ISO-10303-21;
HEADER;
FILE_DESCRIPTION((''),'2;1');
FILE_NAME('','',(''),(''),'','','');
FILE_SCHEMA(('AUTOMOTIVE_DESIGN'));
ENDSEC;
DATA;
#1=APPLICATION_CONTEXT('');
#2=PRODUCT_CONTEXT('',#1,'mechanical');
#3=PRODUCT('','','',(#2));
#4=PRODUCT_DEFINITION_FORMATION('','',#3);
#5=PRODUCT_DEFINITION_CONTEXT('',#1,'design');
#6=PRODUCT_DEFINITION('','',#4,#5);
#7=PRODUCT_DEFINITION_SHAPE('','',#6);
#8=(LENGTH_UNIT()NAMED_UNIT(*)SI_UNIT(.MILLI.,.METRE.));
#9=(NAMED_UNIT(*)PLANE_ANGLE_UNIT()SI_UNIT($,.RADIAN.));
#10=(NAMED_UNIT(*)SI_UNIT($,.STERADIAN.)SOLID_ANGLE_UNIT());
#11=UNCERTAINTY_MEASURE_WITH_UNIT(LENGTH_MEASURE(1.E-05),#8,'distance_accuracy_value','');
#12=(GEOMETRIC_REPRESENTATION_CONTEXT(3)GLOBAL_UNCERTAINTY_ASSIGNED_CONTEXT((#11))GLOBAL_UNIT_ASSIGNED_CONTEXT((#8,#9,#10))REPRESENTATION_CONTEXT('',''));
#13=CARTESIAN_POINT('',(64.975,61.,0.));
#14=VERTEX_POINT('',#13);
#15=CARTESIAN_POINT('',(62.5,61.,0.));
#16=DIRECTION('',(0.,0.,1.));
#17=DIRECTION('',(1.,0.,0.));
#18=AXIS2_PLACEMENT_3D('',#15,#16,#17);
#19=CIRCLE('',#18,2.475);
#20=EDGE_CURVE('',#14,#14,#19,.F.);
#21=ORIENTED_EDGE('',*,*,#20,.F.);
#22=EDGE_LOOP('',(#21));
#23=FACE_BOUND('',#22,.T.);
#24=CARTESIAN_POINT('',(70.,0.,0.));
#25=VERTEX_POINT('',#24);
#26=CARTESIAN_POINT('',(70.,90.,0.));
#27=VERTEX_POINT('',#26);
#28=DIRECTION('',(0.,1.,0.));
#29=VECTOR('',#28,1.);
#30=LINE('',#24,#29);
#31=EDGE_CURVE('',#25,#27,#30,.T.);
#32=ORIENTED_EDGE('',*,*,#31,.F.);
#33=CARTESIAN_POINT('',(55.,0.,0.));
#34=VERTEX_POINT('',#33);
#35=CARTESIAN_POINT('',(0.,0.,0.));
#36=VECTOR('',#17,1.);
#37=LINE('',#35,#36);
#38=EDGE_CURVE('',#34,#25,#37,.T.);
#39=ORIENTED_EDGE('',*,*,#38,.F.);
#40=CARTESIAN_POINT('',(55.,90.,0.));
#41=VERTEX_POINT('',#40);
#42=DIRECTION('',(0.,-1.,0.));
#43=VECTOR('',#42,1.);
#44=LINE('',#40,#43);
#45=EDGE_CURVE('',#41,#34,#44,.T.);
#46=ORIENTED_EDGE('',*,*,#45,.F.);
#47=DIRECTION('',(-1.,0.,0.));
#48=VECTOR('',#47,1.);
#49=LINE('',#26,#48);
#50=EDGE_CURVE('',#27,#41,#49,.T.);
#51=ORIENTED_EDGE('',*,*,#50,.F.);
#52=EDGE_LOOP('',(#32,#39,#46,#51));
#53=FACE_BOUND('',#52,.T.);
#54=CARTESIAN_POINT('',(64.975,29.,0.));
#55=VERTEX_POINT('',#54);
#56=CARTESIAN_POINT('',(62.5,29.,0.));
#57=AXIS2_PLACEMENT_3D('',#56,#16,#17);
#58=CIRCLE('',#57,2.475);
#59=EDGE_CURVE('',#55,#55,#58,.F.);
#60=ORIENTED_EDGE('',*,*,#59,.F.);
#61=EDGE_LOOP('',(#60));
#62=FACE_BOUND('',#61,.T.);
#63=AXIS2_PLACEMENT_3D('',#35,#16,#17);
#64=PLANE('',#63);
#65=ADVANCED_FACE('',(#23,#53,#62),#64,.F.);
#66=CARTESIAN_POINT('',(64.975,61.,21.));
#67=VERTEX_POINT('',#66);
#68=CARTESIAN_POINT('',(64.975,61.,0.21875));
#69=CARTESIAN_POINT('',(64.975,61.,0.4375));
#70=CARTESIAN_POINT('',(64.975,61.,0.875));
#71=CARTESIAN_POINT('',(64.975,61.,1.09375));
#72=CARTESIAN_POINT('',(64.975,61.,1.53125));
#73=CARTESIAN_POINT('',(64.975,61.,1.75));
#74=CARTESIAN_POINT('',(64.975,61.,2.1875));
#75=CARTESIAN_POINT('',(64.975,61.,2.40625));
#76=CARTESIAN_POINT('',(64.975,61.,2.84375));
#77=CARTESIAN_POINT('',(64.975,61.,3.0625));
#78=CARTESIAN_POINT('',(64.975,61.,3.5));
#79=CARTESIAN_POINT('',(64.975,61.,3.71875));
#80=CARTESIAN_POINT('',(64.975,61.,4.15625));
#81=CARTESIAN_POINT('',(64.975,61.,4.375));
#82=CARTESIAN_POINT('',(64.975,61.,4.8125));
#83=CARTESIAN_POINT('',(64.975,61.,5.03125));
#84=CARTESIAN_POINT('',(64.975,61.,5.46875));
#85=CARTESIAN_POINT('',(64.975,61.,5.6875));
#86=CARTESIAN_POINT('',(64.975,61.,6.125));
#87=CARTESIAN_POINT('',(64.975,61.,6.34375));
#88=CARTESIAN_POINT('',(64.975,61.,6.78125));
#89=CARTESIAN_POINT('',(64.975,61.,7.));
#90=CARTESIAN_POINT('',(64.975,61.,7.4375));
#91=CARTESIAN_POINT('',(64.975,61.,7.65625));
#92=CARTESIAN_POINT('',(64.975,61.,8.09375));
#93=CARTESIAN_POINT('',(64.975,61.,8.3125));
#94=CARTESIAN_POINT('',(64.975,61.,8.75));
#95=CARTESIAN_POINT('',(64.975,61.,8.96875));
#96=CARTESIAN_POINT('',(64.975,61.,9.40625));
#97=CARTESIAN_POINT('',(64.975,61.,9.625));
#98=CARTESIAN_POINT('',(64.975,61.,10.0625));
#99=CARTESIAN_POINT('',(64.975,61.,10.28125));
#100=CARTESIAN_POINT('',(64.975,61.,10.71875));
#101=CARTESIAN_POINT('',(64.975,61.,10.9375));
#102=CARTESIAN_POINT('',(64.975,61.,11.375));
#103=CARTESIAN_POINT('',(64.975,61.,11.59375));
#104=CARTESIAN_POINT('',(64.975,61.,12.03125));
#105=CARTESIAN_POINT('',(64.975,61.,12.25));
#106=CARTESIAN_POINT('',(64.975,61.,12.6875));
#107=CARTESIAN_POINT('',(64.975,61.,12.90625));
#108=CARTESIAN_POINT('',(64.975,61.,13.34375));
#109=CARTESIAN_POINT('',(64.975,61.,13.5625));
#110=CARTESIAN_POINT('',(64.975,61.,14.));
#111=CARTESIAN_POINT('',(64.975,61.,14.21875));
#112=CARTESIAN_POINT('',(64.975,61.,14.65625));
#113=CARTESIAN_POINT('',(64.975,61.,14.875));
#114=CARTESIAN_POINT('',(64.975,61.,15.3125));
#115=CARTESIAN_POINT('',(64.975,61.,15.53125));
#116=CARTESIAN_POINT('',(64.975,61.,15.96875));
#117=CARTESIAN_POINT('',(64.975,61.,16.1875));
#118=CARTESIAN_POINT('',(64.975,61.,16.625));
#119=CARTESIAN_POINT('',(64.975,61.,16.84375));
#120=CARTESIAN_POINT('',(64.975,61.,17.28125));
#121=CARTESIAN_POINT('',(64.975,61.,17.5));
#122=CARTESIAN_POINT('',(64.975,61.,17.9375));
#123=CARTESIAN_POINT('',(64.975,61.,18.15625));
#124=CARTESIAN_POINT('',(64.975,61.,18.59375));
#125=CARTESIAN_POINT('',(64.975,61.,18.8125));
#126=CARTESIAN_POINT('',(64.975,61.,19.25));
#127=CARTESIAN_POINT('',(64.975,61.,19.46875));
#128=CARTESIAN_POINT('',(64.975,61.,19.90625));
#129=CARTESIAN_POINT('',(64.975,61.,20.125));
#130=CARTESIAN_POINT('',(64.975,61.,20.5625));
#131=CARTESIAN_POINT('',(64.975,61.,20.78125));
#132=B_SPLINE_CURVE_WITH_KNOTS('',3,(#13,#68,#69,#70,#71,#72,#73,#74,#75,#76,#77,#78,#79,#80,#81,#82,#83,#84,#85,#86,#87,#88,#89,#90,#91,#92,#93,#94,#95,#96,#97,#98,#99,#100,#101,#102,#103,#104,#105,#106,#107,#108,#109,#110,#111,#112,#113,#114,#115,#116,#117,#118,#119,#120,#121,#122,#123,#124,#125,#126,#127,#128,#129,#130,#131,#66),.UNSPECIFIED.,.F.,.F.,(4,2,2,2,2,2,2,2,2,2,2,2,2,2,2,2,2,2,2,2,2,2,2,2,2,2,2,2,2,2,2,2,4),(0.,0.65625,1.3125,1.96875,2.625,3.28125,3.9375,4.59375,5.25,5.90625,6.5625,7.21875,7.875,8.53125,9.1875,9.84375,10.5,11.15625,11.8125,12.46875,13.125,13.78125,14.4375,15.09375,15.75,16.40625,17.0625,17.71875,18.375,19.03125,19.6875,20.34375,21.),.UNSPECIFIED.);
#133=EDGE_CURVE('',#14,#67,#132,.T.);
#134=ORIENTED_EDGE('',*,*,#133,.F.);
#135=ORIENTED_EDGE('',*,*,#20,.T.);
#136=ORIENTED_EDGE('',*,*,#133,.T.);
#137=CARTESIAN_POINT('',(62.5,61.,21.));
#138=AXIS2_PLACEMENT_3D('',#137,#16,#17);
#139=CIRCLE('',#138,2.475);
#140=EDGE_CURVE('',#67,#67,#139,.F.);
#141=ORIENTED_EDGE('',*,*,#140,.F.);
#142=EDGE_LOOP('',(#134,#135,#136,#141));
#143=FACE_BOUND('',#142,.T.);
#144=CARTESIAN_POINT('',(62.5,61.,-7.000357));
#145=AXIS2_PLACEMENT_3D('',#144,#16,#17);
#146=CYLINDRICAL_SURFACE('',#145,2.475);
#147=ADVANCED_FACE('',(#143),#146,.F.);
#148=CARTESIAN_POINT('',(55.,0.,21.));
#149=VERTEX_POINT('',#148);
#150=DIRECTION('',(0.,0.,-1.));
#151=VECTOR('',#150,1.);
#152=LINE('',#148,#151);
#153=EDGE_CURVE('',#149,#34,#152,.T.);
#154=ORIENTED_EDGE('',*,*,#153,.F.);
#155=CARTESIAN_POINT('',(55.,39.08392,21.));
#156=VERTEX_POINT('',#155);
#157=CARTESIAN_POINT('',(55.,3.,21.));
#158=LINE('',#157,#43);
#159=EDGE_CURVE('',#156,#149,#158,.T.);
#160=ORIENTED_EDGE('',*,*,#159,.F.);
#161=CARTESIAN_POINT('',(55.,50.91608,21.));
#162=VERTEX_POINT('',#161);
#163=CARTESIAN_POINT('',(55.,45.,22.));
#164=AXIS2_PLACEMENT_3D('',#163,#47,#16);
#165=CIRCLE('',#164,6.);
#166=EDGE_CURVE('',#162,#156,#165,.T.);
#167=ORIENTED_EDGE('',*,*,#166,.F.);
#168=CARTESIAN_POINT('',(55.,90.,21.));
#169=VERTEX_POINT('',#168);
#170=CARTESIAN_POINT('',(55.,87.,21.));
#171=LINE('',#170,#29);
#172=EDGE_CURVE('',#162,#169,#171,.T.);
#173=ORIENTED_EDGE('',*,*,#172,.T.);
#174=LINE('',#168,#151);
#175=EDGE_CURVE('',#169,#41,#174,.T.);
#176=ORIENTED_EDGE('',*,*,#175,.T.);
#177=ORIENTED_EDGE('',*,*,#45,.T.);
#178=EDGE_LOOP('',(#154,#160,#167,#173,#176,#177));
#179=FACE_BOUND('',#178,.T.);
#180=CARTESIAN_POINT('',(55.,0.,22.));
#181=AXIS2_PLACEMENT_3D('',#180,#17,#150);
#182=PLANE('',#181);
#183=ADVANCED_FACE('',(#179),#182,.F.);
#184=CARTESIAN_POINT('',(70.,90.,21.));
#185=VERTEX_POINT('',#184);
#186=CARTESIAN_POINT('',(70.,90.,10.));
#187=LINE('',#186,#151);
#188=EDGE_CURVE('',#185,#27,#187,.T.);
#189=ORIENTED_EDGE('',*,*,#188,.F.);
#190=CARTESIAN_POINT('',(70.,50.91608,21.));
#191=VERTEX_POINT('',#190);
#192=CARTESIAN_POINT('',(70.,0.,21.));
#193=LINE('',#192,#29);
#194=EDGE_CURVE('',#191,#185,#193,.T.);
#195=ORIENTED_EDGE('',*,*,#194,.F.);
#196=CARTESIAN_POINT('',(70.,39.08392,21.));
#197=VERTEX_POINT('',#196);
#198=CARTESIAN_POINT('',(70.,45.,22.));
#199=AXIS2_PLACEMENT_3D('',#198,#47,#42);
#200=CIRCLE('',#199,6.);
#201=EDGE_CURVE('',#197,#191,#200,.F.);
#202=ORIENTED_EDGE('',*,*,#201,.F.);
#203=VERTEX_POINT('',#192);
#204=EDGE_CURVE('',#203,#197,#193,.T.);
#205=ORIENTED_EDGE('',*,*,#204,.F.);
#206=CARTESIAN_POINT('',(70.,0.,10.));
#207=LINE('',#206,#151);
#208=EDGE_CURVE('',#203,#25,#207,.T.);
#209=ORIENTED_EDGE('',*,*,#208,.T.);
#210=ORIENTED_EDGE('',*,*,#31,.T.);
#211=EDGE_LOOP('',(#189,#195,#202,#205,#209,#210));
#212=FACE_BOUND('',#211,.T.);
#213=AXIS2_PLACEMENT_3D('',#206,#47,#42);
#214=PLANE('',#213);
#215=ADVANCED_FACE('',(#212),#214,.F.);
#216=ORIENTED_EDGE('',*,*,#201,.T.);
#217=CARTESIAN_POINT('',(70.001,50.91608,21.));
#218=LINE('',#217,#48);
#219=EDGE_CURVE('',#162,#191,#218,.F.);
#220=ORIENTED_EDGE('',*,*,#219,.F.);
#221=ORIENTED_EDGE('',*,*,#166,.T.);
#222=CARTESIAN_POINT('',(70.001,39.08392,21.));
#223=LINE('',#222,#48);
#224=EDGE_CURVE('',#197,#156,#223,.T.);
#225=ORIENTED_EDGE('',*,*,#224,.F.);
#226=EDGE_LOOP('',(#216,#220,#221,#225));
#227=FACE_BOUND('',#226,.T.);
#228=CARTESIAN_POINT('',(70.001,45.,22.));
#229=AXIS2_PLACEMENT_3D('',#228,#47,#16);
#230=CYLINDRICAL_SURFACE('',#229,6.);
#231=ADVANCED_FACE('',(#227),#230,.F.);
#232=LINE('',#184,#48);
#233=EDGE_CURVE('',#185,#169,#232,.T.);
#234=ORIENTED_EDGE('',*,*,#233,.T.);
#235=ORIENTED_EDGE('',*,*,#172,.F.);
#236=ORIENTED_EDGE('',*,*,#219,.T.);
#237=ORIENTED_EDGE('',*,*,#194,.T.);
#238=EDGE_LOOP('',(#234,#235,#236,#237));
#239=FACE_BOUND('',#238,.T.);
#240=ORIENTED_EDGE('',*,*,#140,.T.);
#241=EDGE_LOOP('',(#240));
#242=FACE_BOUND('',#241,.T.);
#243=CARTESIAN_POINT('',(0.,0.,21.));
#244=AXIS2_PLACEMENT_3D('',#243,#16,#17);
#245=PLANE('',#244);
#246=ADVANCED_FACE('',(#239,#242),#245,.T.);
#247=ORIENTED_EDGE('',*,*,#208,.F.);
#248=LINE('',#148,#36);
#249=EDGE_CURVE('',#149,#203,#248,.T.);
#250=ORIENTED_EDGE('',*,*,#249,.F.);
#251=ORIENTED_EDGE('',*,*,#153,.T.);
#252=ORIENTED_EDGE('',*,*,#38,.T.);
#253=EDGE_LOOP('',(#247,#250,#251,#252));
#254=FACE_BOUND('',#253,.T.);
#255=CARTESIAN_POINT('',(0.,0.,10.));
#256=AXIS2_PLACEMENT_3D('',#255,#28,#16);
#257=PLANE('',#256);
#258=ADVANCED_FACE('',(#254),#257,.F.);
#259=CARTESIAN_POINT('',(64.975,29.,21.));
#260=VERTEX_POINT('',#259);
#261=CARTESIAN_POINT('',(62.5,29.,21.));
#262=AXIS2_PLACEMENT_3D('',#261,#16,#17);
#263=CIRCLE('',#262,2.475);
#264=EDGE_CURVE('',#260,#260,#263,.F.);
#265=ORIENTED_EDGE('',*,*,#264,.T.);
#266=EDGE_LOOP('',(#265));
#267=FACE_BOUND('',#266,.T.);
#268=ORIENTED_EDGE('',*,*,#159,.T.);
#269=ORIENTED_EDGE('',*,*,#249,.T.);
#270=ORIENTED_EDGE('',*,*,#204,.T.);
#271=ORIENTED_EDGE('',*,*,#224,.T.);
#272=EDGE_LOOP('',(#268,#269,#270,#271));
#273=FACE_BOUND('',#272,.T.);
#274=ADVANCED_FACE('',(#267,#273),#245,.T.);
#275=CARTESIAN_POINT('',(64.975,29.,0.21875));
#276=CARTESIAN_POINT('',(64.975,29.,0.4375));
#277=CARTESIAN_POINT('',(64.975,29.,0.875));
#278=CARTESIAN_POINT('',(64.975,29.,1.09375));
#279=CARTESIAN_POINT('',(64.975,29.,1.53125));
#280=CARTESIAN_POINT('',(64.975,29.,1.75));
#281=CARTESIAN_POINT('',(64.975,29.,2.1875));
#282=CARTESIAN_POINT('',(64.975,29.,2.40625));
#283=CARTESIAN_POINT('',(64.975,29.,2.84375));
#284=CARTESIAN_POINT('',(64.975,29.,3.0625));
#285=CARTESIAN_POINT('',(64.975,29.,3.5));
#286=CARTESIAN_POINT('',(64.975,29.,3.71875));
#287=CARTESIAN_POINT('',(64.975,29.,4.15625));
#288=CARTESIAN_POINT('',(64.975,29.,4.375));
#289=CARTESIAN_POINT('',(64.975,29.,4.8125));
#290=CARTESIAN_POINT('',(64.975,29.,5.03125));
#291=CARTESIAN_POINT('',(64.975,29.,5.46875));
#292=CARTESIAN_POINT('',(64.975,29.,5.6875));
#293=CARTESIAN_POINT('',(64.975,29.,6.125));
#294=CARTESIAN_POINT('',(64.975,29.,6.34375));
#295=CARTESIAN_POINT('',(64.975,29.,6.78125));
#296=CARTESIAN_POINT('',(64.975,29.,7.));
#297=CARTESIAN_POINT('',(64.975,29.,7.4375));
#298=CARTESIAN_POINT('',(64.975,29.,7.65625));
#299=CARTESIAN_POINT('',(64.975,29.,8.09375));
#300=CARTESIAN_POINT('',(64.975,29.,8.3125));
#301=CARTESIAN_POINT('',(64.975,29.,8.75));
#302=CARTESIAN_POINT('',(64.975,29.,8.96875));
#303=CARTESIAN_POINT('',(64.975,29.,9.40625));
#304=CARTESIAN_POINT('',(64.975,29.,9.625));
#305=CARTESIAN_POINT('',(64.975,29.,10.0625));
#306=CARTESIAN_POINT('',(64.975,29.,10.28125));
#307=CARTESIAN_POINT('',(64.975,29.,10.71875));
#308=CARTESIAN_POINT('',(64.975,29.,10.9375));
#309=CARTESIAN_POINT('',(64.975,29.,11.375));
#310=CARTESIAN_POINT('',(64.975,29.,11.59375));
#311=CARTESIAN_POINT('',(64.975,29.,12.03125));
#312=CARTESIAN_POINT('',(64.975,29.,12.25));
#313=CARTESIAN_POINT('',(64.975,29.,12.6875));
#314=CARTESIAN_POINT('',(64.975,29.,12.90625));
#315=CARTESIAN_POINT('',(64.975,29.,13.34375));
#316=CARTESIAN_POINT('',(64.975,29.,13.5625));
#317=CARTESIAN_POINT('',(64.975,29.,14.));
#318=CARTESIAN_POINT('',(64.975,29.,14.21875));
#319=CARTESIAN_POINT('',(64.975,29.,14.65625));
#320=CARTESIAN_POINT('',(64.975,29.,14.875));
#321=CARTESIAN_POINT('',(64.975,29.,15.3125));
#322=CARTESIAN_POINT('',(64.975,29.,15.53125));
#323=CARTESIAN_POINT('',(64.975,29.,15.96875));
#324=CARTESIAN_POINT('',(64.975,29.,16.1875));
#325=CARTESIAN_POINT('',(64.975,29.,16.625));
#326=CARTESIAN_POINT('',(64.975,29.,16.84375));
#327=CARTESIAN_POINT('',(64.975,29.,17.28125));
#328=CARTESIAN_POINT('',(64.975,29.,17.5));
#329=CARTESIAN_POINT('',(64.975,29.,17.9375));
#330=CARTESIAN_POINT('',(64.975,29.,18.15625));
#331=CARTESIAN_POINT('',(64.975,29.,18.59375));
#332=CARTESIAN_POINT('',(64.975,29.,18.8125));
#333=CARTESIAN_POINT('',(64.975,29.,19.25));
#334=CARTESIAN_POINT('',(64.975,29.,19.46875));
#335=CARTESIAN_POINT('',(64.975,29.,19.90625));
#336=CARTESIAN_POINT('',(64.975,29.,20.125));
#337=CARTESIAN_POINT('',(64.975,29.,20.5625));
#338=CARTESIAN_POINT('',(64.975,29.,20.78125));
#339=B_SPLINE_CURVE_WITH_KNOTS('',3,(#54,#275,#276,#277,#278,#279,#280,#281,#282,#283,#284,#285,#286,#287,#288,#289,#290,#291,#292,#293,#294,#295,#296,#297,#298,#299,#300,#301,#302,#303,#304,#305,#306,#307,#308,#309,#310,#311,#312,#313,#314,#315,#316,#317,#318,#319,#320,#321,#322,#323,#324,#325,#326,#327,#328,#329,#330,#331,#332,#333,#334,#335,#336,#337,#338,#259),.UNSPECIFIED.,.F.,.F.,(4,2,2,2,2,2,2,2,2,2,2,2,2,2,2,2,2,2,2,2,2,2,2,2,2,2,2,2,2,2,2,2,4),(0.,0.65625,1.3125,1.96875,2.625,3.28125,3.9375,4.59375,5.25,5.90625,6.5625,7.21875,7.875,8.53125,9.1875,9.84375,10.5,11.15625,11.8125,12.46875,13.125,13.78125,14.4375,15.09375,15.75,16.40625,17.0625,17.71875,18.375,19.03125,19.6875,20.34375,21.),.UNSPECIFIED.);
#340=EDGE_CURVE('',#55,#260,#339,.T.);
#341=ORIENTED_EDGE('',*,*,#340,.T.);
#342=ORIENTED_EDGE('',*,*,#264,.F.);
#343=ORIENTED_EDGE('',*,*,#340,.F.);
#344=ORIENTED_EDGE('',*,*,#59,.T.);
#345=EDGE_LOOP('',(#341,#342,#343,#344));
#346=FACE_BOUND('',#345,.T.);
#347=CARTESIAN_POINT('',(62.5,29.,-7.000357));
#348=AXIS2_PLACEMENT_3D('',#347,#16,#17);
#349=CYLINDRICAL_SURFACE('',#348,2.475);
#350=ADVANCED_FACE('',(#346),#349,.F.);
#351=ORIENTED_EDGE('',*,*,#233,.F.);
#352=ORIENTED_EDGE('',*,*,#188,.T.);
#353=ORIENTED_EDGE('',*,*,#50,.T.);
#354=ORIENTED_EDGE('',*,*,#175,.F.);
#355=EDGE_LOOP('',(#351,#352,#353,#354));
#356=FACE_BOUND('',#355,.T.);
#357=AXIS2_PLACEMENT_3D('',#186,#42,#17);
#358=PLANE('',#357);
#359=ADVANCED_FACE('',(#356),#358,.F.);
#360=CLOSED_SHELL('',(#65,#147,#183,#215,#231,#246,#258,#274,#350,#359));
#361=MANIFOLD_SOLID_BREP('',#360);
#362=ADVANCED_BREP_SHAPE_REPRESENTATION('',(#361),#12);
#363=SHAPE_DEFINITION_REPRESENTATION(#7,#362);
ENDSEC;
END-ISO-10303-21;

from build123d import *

# Parameters (mm, degrees)
SKETCH_1_W          = 70
SKETCH_1_H          = 90
EXTRUDE_1_DEPTH     = 10
SKETCH_2_W          = 15
SKETCH_2_H          = 90
EXTRUDE_2_DEPTH     = 12
EXTRUDE_3_DEPTH     = 3
EXTRUDE_4_DEPTH     = 3
CUT_EXTRUDE_1_REACH = 109.745
SKETCH_7_R          = 6
SKETCH_5_R          = 2.475
CUT_EXTRUDE_2_DEPTH = 22
SKETCH_6_R          = 1.975
CUT_EXTRUDE_4_DEPTH = 10
SKETCH_9_W          = 15
SKETCH_9_H          = 90
CUT_EXTRUDE_5_DEPTH = 1
SKETCH_11_W         = 55
SKETCH_11_H         = 90
CUT_EXTRUDE_6_DEPTH = 116.935326799


with BuildPart() as part:
    # 草图1 → 凸台-拉伸1 (new body)
    with BuildSketch(Plane.XY):
        with Locations((35, 45)):
            Rectangle(SKETCH_1_W, SKETCH_1_H)
    extrude(amount=EXTRUDE_1_DEPTH)

    # 草图2 → 凸台-拉伸2 (add)
    with BuildSketch(Plane.XY.offset(10)):
        with Locations((62.5, 45)):
            Rectangle(SKETCH_2_W, SKETCH_2_H)
    extrude(amount=EXTRUDE_2_DEPTH)

    # 草图3 → 凸台-拉伸3 (add)
    with BuildSketch(Plane(origin=(0, 90, 0), x_dir=(1, 0, 0), z_dir=(0, 1, 0))):
        Polygon((55, -10), (6, -10), (55, -21), align=None)
    extrude(amount=-EXTRUDE_3_DEPTH)

    # 草图4 → 凸台-拉伸4 (add)
    with BuildSketch(Plane.XZ):
        Polygon((55, 21), (6, 10), (55, 10), align=None)
    extrude(amount=-EXTRUDE_4_DEPTH)

    # 草图7 → 切除-拉伸1 (cut, up to next)
    with BuildSketch(Plane.ZY.offset(-55), mode=Mode.PRIVATE) as cut_extrude_1_sk1:
        with Locations((22, 45)):
            Circle(SKETCH_7_R)
    cut_extrude_1_tool1 = extrude(cut_extrude_1_sk1.sketch, amount=-CUT_EXTRUDE_1_REACH, mode=Mode.PRIVATE) & part.part
    add(cut_extrude_1_tool1.solids().sort_by_distance((55, 45, 22))[0], mode=Mode.SUBTRACT)

    # 草图5 → 切除-拉伸2 (cut)
    with BuildSketch(Plane.XY.offset(22)):
        with Locations((62.5, 61)):
            Circle(SKETCH_5_R)
        with Locations((62.5, 29)):
            Circle(SKETCH_5_R)
    extrude(amount=-CUT_EXTRUDE_2_DEPTH, mode=Mode.SUBTRACT)

    # 草图6 → 切除-拉伸4 (cut)
    with BuildSketch(Plane.XY.offset(10)):
        with Locations((3, 29)):
            Circle(SKETCH_6_R)
        with Locations((3, 61)):
            Circle(SKETCH_6_R)
    extrude(amount=-CUT_EXTRUDE_4_DEPTH, mode=Mode.SUBTRACT)

    # 草图9 → 切除-拉伸5 (cut)
    with BuildSketch(Plane.XY.offset(22)):
        with Locations((62.5, 45)):
            Rectangle(SKETCH_9_W, SKETCH_9_H)
    extrude(amount=-CUT_EXTRUDE_5_DEPTH, mode=Mode.SUBTRACT)

    # 草图11 → 切除-拉伸6 (cut, through all)
    with BuildSketch(Plane(origin=(0, 0, 0), x_dir=(-1, 0, 0), z_dir=(0, 0, -1))):
        with Locations((-27.5, 45)):
            Rectangle(SKETCH_11_W, SKETCH_11_H)
    extrude(amount=-CUT_EXTRUDE_6_DEPTH, mode=Mode.SUBTRACT)


solid = part.part
